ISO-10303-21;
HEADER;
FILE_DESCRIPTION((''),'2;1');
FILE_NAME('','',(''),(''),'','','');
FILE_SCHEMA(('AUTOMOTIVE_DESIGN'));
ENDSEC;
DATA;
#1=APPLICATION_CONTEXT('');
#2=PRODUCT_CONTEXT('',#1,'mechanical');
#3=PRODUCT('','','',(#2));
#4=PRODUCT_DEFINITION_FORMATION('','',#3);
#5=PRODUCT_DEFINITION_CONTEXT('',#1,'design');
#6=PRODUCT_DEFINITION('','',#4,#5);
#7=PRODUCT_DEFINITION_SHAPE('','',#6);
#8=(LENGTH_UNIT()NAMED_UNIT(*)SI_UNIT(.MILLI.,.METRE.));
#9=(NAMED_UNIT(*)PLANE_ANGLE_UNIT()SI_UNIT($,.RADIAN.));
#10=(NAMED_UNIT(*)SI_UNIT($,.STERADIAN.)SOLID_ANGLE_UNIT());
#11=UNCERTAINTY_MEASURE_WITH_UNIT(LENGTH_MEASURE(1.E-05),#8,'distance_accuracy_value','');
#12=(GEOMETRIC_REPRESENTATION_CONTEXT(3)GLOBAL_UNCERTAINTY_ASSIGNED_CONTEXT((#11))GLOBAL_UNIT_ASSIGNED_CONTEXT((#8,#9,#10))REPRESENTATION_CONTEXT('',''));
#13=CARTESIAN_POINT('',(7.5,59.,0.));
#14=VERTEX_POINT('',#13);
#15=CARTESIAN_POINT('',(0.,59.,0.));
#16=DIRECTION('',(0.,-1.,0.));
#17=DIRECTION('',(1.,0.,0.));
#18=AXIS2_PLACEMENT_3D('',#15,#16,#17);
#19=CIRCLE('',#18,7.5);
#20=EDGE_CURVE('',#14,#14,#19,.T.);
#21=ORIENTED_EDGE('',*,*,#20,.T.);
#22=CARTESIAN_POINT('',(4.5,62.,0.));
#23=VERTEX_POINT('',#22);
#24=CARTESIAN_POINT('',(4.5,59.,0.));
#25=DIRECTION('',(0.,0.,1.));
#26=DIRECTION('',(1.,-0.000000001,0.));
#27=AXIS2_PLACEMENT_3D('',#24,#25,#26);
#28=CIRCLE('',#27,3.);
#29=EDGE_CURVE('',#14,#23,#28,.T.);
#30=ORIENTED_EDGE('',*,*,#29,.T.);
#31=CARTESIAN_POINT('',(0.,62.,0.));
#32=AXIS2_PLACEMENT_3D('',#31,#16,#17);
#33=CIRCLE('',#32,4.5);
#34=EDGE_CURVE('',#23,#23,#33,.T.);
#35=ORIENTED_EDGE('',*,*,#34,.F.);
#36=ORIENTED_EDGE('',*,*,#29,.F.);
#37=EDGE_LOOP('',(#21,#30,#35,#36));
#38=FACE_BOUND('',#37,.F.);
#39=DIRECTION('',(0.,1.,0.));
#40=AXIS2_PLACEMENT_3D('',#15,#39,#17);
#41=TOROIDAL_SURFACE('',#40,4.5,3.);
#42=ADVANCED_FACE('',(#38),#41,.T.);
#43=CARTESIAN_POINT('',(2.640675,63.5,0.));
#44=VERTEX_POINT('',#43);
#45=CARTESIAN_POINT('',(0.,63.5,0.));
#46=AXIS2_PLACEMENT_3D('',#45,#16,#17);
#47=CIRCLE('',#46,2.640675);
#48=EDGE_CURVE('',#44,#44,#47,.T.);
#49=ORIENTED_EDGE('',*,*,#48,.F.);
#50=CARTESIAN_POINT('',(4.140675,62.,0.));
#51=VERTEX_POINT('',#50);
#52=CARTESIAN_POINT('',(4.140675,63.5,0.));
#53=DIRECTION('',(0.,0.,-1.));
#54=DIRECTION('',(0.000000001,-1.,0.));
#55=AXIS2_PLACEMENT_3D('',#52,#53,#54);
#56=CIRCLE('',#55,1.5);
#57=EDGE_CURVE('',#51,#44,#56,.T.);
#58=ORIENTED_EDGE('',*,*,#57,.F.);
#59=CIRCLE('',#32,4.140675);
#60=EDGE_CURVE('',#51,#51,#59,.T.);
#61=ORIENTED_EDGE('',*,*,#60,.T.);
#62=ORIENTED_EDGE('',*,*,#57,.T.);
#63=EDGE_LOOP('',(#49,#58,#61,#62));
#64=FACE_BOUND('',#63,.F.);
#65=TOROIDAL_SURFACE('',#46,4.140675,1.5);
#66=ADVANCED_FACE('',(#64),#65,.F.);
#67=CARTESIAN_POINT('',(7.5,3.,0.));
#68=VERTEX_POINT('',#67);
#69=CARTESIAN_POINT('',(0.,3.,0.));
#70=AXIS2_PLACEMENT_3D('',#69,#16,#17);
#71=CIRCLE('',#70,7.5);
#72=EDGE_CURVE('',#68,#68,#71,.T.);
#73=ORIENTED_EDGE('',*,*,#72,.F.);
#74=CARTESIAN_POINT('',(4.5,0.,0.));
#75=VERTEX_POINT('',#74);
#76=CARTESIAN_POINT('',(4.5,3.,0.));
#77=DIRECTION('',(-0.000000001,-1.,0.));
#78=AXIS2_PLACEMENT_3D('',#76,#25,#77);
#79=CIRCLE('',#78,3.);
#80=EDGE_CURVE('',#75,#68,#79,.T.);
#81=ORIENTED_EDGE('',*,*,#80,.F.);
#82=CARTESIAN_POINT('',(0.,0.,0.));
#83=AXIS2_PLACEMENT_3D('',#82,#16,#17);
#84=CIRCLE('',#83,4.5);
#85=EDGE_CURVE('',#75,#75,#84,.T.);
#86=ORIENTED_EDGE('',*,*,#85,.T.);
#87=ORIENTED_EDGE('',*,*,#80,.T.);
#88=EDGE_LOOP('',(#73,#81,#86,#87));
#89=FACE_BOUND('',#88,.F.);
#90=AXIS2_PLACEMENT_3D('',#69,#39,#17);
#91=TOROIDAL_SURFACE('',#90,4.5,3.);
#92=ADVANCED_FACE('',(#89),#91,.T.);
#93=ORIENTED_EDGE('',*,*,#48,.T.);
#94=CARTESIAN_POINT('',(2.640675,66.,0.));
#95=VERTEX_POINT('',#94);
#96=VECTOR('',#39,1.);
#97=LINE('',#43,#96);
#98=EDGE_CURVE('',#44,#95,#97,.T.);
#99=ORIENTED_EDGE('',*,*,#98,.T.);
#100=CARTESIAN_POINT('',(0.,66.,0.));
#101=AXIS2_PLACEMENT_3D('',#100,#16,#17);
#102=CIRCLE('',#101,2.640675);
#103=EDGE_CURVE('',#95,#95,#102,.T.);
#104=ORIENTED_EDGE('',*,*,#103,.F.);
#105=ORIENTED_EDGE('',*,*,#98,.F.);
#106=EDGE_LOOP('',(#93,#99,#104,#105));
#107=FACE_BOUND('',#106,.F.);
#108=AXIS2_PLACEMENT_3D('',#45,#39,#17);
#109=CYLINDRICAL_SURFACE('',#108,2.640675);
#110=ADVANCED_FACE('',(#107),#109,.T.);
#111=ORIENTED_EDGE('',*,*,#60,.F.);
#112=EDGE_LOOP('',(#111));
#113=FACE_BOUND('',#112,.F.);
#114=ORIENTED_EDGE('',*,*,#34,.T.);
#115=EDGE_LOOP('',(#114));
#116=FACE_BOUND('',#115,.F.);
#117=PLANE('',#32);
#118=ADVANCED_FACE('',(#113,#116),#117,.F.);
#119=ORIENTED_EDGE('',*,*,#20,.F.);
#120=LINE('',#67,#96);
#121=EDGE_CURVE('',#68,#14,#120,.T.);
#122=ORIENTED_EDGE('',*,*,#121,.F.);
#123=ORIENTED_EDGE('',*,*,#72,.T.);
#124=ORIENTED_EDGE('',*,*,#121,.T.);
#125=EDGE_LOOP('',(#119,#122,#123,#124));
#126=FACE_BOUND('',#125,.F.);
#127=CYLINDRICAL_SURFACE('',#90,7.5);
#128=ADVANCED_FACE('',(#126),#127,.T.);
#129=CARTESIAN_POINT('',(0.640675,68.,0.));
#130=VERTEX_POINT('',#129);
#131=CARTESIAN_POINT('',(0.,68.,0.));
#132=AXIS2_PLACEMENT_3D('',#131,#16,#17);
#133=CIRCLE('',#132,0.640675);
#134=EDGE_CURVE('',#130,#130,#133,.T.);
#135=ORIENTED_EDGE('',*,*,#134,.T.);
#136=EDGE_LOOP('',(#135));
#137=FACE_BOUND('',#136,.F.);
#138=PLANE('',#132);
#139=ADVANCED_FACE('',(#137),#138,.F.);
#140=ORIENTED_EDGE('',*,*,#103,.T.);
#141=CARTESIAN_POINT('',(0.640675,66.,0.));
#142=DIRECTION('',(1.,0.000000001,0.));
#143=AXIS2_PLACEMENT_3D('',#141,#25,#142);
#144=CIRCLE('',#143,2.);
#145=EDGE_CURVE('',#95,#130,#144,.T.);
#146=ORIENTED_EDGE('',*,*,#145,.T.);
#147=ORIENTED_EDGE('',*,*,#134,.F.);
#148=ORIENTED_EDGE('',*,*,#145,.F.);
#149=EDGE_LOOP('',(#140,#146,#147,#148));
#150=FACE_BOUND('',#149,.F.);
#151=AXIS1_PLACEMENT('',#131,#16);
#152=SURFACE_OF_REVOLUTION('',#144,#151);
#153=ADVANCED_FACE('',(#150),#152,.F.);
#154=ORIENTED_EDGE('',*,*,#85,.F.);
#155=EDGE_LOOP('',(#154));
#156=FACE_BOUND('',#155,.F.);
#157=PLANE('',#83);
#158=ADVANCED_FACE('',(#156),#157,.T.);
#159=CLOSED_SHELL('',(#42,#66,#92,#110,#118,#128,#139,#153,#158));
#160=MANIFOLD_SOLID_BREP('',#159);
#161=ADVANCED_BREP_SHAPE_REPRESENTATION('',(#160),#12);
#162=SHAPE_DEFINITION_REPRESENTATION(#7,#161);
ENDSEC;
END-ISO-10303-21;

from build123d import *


with BuildPart() as part:
    # Esquisse1 → Révolution1 (revolve)
    with BuildSketch(Plane.XY):
        with BuildLine():
            Line((0, 0), (4.5, 0))
            ThreePointArc((4.5, 0), (6.621320344, 0.878679656), (7.5, 3))
            Line((7.5, 3), (7.5, 59))
            ThreePointArc((7.5, 59), (6.621320344, 61.121320344), (4.5, 62))
            Line((4.5, 62), (4.140675016, 62))
            ThreePointArc((4.140675016, 62), (3.080014844, 62.439339828), (2.640675016, 63.5))
            Line((2.640675016, 63.5), (2.640675016, 66))
            ThreePointArc((2.640675016, 66), (2.054888578, 67.414213562), (0.640675016, 68))
            Line((0.640675016, 68), (0, 68))
            Line((0, 68), (0, 0))
        make_face()
    revolve(axis=Axis((0, 68, 0), (0, -1, 0)))


solid = part.part
